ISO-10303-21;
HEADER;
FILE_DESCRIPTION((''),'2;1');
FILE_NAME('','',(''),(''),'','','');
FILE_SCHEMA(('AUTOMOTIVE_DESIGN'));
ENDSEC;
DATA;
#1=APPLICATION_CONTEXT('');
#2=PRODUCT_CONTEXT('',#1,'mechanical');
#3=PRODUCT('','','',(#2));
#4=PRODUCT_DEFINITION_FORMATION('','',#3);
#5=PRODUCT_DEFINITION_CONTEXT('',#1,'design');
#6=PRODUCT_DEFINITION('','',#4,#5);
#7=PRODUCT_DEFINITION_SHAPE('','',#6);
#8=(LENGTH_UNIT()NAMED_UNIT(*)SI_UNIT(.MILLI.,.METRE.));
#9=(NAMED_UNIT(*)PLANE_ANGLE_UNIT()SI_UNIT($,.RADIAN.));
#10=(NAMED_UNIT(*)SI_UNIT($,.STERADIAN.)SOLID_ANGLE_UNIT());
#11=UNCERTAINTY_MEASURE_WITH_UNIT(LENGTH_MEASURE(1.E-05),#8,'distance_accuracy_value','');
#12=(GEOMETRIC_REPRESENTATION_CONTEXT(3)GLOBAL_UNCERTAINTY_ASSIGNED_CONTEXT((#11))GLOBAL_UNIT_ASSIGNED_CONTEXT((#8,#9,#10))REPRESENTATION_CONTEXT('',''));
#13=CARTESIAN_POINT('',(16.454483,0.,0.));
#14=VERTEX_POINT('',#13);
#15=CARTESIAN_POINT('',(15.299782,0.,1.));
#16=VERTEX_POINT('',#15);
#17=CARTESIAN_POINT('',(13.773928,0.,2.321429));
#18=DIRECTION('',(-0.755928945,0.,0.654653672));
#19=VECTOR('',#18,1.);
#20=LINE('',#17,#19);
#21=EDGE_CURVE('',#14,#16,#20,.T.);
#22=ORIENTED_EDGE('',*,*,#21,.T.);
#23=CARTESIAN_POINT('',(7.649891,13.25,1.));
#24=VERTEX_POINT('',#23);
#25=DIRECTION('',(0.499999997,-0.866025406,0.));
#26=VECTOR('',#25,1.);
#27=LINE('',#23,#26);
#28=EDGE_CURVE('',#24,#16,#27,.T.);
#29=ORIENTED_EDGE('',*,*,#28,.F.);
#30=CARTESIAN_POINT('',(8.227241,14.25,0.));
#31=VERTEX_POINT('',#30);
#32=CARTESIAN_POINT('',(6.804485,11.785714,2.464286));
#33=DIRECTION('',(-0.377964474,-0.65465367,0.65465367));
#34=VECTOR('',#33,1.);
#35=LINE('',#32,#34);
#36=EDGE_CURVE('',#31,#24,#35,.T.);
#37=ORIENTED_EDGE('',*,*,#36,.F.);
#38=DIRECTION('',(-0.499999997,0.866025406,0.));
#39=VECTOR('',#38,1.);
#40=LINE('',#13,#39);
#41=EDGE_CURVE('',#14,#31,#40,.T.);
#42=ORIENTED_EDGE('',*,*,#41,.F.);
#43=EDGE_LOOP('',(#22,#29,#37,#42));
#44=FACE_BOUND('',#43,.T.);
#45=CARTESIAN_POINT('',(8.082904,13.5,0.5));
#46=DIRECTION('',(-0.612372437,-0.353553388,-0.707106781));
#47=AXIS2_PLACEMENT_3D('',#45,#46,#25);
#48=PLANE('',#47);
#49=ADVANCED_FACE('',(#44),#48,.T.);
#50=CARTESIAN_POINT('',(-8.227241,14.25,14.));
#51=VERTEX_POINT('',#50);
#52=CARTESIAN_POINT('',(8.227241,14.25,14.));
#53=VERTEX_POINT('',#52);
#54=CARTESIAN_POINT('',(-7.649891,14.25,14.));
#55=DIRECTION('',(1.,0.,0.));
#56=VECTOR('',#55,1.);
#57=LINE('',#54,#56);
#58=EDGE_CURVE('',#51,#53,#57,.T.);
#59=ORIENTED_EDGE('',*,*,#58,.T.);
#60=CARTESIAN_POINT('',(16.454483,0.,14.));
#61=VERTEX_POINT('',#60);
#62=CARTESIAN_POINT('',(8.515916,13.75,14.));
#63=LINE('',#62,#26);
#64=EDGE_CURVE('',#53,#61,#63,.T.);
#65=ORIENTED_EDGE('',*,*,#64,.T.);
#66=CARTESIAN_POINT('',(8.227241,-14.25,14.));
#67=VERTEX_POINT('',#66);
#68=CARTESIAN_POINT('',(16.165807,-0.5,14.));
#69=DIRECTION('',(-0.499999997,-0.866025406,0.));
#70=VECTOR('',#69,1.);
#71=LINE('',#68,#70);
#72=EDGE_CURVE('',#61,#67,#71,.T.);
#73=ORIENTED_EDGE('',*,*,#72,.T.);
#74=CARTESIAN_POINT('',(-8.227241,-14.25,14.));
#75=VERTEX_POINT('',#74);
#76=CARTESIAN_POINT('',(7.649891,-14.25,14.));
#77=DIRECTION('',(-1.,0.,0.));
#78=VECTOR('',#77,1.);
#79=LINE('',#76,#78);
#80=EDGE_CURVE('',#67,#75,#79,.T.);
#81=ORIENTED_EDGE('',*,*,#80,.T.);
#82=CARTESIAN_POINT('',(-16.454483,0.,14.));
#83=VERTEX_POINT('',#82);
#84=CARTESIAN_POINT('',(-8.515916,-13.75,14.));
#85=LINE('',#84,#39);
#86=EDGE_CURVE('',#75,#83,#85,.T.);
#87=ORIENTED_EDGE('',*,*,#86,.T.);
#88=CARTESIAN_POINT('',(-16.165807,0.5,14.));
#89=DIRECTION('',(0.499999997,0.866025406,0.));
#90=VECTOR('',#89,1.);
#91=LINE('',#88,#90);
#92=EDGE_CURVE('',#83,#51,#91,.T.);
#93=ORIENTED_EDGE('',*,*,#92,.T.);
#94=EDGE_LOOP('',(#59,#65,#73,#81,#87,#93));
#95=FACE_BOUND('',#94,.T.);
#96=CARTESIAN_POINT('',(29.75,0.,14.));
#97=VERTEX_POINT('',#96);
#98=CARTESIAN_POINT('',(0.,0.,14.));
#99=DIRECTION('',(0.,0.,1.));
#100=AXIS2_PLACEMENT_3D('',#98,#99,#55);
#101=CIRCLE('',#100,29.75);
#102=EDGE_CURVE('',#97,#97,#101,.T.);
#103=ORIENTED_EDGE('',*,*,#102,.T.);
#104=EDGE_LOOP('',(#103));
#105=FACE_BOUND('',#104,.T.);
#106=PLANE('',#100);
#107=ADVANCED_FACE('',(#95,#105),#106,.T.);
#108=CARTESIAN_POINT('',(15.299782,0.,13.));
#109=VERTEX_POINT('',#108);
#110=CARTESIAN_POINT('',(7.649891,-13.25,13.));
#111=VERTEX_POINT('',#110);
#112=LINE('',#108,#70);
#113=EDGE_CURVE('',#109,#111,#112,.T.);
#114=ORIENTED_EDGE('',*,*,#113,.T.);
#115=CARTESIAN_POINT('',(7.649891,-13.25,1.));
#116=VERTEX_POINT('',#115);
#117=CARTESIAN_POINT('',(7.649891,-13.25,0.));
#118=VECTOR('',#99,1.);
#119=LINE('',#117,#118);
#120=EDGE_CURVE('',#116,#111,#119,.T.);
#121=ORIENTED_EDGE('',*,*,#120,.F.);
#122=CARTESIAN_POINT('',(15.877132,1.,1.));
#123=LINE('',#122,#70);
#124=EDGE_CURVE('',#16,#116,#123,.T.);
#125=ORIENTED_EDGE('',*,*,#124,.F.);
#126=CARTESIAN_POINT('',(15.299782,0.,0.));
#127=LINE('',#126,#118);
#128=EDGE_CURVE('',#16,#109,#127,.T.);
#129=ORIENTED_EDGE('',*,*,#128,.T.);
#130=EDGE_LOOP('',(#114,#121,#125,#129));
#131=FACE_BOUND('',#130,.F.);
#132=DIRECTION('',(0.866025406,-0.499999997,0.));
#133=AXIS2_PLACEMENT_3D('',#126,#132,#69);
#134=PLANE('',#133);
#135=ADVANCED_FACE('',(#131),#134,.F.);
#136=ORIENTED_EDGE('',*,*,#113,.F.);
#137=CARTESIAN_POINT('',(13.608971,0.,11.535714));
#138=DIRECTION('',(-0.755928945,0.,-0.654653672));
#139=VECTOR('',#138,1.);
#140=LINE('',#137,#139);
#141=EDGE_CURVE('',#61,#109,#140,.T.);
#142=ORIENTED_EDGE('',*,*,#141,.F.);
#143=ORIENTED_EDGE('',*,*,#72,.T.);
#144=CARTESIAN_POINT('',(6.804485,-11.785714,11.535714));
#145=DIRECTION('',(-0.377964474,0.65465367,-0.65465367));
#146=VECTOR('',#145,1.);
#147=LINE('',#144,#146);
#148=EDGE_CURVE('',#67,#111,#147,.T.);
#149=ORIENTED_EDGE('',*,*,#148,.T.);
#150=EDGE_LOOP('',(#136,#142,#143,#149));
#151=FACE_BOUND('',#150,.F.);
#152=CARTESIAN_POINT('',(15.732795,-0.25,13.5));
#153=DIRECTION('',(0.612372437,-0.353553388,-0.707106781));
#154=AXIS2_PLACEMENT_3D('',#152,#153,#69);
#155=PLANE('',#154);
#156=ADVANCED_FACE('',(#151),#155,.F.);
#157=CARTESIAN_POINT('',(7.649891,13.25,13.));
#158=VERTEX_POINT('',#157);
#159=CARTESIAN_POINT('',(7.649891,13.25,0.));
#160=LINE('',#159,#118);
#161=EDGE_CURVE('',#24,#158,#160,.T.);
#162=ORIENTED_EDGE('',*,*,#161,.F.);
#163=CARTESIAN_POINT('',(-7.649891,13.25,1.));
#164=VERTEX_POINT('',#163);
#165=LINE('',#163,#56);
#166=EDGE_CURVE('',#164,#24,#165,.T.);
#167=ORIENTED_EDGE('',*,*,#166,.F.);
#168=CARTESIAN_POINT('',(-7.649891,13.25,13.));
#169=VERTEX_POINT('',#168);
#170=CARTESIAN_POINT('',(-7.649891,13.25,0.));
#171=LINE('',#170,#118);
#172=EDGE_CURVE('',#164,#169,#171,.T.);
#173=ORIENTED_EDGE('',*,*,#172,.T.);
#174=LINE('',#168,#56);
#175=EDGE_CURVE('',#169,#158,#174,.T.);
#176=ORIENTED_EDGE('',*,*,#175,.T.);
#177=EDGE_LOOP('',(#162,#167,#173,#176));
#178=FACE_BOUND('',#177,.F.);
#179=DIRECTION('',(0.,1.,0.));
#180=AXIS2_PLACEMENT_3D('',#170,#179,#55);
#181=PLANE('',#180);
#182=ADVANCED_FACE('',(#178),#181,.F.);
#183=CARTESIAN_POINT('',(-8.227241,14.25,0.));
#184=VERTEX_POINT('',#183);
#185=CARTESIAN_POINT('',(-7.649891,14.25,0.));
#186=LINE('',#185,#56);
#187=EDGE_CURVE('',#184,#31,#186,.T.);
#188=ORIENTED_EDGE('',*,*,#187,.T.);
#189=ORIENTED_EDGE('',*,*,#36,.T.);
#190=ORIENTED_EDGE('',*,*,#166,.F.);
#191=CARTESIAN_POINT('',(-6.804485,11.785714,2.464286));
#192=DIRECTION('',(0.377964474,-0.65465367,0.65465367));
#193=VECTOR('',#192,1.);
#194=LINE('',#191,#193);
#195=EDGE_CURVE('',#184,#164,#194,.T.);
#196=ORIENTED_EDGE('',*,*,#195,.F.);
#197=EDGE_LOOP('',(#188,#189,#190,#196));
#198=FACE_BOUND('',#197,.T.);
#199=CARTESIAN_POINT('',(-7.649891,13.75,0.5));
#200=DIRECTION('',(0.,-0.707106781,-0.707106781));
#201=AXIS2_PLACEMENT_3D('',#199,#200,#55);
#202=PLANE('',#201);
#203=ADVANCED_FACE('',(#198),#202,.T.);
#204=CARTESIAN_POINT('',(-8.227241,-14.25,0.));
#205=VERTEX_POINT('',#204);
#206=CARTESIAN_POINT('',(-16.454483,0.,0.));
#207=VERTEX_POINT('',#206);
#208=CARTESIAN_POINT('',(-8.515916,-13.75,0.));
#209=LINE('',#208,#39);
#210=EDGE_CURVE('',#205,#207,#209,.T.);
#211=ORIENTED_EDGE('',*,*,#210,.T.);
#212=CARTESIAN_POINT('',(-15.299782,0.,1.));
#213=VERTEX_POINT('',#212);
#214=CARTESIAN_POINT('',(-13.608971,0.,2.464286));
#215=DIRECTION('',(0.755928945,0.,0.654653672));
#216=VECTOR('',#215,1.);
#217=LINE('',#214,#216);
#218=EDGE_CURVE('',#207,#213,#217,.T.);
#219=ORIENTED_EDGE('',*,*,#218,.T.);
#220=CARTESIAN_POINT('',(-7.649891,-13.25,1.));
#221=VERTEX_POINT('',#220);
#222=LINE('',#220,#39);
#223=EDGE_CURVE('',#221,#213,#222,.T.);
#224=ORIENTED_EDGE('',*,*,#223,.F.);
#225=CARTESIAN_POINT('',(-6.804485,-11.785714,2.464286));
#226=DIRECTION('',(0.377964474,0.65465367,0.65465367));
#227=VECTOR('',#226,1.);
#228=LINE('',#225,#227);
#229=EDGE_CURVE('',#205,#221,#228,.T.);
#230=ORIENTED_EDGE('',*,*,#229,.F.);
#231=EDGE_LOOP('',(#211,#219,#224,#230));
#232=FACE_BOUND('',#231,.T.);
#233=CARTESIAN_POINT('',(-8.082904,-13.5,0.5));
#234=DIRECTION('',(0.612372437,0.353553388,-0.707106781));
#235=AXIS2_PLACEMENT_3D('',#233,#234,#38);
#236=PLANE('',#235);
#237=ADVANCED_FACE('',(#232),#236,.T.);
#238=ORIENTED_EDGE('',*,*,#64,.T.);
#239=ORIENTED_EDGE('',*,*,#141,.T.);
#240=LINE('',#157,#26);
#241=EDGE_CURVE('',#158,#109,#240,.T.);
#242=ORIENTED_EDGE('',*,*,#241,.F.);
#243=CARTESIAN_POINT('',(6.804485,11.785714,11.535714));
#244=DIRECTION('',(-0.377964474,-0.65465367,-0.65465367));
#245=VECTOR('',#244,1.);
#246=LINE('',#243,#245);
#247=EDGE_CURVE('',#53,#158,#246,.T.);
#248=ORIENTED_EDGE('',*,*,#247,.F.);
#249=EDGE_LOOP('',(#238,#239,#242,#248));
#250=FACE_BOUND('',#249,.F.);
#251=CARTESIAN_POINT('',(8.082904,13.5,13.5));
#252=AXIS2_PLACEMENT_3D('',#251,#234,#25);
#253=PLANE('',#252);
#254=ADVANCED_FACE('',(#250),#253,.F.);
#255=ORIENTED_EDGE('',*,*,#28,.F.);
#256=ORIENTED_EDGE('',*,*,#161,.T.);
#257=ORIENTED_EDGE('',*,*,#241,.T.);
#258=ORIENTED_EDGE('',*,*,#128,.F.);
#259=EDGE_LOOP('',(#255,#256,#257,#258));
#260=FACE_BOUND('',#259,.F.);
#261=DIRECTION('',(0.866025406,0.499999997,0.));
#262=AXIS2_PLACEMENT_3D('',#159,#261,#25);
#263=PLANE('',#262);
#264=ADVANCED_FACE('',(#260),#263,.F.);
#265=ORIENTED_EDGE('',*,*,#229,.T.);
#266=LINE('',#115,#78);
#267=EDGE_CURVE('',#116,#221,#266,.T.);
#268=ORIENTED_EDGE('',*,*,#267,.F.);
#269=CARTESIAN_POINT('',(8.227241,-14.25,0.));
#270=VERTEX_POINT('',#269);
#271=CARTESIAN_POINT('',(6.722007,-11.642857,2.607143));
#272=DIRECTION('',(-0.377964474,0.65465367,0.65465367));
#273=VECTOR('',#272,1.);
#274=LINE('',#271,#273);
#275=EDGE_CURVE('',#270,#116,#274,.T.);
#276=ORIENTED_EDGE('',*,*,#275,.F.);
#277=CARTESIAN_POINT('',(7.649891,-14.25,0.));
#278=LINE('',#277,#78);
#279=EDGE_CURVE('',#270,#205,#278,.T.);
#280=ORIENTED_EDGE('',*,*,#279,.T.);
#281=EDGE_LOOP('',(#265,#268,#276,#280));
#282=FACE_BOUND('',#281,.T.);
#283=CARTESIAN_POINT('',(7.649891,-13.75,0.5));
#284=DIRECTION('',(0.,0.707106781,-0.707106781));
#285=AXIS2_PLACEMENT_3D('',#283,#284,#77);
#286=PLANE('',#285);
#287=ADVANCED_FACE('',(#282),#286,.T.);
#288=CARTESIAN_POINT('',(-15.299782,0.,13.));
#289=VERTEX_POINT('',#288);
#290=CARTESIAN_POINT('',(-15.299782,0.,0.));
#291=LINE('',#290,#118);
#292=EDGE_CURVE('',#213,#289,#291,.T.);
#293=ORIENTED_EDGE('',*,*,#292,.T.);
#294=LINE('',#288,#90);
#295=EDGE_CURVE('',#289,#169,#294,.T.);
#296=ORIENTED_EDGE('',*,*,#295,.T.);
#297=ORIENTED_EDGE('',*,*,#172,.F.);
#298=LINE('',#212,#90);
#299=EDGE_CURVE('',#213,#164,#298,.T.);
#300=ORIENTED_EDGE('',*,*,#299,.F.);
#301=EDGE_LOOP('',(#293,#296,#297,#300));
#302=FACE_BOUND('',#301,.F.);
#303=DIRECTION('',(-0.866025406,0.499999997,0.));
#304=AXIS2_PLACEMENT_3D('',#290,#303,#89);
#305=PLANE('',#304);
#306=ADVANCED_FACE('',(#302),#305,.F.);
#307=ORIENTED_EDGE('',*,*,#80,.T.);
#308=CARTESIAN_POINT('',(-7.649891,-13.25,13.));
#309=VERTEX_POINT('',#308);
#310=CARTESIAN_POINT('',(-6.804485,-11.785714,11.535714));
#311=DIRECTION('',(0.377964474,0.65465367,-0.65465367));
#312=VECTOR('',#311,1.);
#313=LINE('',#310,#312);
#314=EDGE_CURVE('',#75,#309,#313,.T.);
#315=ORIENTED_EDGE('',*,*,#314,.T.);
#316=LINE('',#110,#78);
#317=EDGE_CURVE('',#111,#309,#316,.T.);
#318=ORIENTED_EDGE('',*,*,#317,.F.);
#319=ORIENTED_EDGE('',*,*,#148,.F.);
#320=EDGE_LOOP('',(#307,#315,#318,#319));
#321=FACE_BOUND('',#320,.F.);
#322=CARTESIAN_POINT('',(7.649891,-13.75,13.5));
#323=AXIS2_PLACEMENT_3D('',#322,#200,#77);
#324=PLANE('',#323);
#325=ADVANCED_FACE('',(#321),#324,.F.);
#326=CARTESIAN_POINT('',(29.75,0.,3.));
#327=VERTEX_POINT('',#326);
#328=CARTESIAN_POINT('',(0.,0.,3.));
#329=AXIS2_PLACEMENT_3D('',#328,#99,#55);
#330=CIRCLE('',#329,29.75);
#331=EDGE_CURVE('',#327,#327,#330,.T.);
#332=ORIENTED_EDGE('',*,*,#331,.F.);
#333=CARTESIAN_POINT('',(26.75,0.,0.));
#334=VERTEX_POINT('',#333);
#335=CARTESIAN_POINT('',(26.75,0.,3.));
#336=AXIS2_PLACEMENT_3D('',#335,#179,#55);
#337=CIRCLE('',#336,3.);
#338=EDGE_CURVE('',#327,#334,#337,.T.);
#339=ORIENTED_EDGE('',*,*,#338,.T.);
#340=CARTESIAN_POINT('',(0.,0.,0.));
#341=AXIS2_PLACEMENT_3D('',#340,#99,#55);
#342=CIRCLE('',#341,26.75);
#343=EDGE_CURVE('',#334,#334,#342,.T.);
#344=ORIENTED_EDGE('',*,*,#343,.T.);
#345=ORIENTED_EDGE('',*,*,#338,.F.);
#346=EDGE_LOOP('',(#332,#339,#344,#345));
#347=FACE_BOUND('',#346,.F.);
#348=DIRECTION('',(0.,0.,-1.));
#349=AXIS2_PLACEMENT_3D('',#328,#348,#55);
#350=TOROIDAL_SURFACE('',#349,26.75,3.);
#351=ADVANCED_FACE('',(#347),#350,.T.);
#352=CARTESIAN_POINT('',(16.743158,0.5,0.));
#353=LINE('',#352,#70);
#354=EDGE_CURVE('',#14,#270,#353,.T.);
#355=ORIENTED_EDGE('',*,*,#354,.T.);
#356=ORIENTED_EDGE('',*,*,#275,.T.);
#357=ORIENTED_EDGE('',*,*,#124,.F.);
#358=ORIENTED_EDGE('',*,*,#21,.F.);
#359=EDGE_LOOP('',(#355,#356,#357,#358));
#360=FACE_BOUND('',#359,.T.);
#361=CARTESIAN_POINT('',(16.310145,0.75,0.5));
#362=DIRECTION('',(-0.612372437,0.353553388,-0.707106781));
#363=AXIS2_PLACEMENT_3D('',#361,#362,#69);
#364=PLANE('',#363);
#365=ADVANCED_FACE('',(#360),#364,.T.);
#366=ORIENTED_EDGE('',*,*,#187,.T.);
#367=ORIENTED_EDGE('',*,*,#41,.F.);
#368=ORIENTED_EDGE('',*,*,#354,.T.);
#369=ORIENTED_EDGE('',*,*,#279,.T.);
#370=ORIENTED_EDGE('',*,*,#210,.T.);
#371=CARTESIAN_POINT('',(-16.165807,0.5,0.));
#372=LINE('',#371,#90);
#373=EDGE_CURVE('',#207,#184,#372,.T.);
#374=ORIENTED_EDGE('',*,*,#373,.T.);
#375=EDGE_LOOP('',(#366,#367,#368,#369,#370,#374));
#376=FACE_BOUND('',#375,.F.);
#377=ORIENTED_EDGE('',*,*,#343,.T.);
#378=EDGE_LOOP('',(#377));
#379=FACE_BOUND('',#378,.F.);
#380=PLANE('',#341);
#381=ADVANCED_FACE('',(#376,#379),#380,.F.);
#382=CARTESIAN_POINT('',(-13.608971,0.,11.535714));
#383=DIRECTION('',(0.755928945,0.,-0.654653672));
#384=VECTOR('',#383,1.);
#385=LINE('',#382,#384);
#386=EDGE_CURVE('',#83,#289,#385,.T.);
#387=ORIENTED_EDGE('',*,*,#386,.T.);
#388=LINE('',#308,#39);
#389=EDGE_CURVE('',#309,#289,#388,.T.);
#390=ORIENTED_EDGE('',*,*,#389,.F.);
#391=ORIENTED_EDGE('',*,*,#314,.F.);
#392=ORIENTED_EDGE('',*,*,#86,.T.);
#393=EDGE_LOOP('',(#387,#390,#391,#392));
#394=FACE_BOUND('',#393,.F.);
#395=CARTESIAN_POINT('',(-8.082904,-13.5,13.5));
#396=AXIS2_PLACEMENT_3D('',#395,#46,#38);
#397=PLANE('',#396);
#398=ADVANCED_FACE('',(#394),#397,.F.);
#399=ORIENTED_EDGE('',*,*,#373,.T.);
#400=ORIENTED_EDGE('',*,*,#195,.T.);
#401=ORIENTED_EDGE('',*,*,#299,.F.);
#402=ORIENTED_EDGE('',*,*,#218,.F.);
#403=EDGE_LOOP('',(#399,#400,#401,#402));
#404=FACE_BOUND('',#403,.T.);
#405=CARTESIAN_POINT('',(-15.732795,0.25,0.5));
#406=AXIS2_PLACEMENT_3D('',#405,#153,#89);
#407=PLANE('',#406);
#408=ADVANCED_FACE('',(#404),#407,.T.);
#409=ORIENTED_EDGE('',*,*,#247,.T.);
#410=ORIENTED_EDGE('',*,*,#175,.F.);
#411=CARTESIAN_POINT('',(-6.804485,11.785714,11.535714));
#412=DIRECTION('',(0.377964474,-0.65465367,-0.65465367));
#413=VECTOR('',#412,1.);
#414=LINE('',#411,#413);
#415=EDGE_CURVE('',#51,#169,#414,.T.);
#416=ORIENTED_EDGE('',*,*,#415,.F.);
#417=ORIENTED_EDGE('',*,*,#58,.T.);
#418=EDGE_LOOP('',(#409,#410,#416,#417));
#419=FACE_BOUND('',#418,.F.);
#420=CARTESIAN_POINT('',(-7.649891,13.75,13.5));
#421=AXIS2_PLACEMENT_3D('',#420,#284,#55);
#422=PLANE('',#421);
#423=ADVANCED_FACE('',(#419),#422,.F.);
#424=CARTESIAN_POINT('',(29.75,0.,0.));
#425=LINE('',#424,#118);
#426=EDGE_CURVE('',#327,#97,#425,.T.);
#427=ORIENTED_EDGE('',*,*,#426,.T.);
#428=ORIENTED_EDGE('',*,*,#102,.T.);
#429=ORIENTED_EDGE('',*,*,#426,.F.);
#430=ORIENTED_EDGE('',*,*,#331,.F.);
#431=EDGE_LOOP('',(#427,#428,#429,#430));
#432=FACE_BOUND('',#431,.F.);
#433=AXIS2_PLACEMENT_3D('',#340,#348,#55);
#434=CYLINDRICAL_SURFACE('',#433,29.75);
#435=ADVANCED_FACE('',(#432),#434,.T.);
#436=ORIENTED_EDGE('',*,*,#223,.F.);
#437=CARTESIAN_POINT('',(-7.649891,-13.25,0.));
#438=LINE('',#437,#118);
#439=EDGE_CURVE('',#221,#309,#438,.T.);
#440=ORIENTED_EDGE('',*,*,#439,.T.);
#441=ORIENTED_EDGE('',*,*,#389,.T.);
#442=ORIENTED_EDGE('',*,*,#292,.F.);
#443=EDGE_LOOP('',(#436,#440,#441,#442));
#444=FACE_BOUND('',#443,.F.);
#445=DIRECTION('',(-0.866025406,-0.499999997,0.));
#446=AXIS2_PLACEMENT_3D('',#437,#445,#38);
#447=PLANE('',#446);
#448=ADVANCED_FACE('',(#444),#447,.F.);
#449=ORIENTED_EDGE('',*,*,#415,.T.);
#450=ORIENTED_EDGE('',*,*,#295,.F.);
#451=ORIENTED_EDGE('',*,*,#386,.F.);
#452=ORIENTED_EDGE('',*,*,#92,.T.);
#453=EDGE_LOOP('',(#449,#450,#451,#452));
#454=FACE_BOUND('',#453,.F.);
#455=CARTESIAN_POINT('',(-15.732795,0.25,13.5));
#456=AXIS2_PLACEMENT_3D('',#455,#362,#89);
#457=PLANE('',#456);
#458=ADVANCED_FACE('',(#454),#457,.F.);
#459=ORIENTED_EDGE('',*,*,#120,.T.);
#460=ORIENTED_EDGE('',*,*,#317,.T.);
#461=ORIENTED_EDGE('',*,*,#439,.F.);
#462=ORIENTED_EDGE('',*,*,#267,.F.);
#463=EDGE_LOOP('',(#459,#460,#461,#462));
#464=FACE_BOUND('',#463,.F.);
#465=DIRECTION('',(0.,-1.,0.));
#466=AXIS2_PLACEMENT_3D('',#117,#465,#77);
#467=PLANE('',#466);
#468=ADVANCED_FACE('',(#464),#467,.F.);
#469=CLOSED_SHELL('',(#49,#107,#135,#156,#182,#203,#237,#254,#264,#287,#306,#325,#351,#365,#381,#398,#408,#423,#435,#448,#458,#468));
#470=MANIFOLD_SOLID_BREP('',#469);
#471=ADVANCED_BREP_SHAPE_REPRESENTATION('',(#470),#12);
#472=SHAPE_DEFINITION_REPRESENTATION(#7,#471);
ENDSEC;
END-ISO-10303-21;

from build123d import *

# Parameters (mm, degrees)
F0_R     = 29.75
F1_DEPTH = 14
F2_R     = 3
F3_SIZE  = 1
F4_SIZE  = 1


with BuildPart() as f1:
    # F0 (on Top) → F1 (new body)
    with BuildSketch(Plane.XY):
        Circle(F0_R)
        Polygon((15.299782, 0), (7.649891, -13.25), (-7.649891, -13.25), (-15.299782, 0), (-7.649891, 13.25), (7.649891, 13.25), align=None, mode=Mode.SUBTRACT)
    extrude(amount=F1_DEPTH)

    # F2
    f2_edges = [f1.edges().sort_by_distance(p)[0] for p in [
        (-29.75, 0, 0),
    ]]
    fillet(f2_edges, radius=F2_R)

    # F3
    f3_edges = [f1.edges().sort_by_distance(p)[0] for p in [
        (-11.474837, -6.625, 14),
        (-11.474837, 6.625, 14),
        (0, 13.25, 14),
        (11.474837, -6.625, 14),
        (11.474837, 6.625, 0),
        (0, -13.25, 14),
        (11.474837, 6.625, 14),
    ]]
    chamfer(f3_edges, length=F3_SIZE)

    # F4
    f4_edges = [f1.edges().sort_by_distance(p)[0] for p in [
        (11.474837, -6.625, 0),
        (0, -13.25, 0),
        (-11.474837, -6.625, 0),
        (-11.474837, 6.625, 0),
        (0, 13.25, 0),
    ]]
    chamfer(f4_edges, length=F4_SIZE)


solid = f1.part
